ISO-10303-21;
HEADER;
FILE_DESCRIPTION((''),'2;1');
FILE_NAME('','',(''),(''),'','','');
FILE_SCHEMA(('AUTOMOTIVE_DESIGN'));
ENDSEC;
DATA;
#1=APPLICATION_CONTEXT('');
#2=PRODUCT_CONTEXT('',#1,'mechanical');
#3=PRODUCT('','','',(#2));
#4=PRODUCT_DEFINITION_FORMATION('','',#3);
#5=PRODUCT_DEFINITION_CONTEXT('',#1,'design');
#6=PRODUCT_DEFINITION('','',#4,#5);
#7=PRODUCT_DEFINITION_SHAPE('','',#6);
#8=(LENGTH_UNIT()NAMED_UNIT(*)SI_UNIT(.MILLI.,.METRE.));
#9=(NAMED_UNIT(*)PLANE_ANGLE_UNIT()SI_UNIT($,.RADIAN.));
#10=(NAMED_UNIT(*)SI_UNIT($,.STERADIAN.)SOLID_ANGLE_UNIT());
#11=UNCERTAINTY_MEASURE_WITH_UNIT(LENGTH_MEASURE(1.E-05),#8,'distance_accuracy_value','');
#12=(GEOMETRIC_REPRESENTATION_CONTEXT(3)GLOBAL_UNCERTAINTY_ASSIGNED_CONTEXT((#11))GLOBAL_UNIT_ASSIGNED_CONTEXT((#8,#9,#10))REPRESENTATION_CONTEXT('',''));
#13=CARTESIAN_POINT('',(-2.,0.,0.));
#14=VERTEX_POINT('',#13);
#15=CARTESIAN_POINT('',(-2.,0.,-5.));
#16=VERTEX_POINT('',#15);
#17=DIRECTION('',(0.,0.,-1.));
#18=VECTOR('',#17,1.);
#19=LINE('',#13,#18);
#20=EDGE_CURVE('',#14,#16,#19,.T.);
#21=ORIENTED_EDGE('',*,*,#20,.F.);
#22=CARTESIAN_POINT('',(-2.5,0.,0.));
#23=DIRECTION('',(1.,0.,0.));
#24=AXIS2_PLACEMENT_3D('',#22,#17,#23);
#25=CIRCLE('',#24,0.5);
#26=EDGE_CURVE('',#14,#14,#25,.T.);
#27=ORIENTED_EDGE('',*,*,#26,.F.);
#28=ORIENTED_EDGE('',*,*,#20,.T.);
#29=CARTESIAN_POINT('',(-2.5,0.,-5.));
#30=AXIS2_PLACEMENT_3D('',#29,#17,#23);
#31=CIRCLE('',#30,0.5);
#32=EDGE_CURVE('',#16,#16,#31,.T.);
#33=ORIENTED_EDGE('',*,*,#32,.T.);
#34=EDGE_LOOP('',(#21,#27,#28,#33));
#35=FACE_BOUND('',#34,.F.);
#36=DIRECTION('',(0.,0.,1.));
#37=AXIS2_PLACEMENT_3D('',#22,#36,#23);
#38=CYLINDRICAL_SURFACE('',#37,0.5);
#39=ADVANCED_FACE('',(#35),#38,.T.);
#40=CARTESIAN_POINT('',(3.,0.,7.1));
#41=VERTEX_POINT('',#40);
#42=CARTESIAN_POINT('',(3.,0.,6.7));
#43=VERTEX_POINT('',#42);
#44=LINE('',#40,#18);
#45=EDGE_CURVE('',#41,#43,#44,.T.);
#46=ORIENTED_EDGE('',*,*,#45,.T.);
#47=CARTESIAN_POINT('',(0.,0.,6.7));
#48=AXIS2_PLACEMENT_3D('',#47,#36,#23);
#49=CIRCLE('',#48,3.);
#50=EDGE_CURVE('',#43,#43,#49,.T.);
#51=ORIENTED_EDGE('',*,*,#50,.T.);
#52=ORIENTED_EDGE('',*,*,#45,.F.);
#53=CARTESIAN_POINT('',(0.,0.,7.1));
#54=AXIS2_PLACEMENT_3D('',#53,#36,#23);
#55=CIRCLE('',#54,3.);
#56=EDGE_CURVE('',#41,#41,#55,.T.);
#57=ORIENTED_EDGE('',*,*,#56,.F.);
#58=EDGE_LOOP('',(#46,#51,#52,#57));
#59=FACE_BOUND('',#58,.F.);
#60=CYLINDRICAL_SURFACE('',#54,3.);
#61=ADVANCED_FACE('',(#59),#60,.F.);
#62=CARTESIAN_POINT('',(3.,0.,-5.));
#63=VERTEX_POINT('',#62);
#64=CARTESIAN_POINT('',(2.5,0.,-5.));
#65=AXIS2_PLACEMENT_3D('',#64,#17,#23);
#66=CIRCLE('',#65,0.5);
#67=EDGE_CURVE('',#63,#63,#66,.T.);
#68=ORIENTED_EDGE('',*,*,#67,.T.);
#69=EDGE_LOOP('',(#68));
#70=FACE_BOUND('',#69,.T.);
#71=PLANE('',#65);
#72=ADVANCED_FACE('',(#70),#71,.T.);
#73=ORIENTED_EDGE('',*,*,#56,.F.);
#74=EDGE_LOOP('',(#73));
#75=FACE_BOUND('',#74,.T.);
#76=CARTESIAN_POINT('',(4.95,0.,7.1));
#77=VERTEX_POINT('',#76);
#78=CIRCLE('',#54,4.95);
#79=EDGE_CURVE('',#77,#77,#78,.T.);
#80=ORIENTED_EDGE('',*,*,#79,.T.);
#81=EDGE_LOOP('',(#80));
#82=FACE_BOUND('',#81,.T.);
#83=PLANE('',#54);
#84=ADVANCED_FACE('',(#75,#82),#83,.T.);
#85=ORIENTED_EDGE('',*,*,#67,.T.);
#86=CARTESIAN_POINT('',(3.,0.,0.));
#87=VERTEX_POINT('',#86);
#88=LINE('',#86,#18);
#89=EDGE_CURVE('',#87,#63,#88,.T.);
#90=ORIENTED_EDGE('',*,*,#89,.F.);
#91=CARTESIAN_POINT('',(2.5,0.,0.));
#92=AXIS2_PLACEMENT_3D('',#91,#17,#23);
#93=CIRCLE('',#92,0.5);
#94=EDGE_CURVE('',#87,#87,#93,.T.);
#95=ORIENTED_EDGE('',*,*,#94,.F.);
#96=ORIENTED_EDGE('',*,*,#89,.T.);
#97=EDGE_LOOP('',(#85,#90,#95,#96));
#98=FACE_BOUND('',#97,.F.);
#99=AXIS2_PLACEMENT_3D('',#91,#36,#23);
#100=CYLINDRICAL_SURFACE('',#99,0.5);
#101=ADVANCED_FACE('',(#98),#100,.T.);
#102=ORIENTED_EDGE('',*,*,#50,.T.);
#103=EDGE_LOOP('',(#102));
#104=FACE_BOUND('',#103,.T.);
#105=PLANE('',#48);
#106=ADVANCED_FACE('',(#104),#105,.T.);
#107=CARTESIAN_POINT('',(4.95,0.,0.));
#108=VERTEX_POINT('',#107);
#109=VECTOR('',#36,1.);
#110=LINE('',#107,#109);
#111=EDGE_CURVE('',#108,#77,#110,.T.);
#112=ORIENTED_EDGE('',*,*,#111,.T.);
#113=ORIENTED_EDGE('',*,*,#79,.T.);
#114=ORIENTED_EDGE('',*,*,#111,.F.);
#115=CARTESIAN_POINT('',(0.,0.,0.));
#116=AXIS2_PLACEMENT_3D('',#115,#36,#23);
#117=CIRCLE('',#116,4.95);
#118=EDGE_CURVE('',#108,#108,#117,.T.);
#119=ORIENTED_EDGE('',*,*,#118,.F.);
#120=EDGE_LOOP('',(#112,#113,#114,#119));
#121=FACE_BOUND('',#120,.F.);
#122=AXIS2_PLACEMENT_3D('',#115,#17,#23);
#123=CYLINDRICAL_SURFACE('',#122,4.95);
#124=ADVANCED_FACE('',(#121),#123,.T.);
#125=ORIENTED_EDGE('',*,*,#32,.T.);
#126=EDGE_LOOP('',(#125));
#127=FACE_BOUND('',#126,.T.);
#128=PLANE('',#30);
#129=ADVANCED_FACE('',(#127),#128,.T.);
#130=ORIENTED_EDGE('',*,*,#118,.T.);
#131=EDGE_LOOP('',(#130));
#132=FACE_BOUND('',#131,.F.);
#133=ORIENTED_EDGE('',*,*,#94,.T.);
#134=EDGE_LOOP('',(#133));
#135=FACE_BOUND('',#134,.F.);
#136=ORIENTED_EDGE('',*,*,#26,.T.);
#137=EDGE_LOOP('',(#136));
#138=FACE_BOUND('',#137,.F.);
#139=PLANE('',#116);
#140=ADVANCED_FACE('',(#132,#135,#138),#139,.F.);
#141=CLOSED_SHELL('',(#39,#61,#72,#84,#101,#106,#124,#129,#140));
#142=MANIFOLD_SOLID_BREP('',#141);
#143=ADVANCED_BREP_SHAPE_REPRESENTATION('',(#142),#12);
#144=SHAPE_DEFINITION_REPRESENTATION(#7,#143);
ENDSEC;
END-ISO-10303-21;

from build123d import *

# Parameters (mm, degrees)
SKETCH_R     = 4.95
PAD_DEPTH    = 7.1
SKETCH001_R  = 0.5
PAD001_DEPTH = 5
SKETCH002_R  = 3
POCKET_DEPTH = 0.4


with BuildPart() as part:
    # Sketch → Pad (new body)
    with BuildSketch(Plane.XY):
        Circle(SKETCH_R)
    extrude(amount=PAD_DEPTH)

    # Sketch001 → Pad001 (new body)
    with BuildSketch(Plane(origin=(0, 0, 0), x_dir=(1, 0, 0), z_dir=(0, 0, -1))):
        with Locations((2.5, 0)):
            Circle(SKETCH001_R)
        with Locations((-2.5, 0)):
            Circle(SKETCH001_R)
    extrude(amount=PAD001_DEPTH)

    # Sketch002 → Pocket (cut)
    with BuildSketch(Plane.XY.offset(7.1)):
        Circle(SKETCH002_R)
    extrude(amount=-POCKET_DEPTH, mode=Mode.SUBTRACT)


solid = part.part
